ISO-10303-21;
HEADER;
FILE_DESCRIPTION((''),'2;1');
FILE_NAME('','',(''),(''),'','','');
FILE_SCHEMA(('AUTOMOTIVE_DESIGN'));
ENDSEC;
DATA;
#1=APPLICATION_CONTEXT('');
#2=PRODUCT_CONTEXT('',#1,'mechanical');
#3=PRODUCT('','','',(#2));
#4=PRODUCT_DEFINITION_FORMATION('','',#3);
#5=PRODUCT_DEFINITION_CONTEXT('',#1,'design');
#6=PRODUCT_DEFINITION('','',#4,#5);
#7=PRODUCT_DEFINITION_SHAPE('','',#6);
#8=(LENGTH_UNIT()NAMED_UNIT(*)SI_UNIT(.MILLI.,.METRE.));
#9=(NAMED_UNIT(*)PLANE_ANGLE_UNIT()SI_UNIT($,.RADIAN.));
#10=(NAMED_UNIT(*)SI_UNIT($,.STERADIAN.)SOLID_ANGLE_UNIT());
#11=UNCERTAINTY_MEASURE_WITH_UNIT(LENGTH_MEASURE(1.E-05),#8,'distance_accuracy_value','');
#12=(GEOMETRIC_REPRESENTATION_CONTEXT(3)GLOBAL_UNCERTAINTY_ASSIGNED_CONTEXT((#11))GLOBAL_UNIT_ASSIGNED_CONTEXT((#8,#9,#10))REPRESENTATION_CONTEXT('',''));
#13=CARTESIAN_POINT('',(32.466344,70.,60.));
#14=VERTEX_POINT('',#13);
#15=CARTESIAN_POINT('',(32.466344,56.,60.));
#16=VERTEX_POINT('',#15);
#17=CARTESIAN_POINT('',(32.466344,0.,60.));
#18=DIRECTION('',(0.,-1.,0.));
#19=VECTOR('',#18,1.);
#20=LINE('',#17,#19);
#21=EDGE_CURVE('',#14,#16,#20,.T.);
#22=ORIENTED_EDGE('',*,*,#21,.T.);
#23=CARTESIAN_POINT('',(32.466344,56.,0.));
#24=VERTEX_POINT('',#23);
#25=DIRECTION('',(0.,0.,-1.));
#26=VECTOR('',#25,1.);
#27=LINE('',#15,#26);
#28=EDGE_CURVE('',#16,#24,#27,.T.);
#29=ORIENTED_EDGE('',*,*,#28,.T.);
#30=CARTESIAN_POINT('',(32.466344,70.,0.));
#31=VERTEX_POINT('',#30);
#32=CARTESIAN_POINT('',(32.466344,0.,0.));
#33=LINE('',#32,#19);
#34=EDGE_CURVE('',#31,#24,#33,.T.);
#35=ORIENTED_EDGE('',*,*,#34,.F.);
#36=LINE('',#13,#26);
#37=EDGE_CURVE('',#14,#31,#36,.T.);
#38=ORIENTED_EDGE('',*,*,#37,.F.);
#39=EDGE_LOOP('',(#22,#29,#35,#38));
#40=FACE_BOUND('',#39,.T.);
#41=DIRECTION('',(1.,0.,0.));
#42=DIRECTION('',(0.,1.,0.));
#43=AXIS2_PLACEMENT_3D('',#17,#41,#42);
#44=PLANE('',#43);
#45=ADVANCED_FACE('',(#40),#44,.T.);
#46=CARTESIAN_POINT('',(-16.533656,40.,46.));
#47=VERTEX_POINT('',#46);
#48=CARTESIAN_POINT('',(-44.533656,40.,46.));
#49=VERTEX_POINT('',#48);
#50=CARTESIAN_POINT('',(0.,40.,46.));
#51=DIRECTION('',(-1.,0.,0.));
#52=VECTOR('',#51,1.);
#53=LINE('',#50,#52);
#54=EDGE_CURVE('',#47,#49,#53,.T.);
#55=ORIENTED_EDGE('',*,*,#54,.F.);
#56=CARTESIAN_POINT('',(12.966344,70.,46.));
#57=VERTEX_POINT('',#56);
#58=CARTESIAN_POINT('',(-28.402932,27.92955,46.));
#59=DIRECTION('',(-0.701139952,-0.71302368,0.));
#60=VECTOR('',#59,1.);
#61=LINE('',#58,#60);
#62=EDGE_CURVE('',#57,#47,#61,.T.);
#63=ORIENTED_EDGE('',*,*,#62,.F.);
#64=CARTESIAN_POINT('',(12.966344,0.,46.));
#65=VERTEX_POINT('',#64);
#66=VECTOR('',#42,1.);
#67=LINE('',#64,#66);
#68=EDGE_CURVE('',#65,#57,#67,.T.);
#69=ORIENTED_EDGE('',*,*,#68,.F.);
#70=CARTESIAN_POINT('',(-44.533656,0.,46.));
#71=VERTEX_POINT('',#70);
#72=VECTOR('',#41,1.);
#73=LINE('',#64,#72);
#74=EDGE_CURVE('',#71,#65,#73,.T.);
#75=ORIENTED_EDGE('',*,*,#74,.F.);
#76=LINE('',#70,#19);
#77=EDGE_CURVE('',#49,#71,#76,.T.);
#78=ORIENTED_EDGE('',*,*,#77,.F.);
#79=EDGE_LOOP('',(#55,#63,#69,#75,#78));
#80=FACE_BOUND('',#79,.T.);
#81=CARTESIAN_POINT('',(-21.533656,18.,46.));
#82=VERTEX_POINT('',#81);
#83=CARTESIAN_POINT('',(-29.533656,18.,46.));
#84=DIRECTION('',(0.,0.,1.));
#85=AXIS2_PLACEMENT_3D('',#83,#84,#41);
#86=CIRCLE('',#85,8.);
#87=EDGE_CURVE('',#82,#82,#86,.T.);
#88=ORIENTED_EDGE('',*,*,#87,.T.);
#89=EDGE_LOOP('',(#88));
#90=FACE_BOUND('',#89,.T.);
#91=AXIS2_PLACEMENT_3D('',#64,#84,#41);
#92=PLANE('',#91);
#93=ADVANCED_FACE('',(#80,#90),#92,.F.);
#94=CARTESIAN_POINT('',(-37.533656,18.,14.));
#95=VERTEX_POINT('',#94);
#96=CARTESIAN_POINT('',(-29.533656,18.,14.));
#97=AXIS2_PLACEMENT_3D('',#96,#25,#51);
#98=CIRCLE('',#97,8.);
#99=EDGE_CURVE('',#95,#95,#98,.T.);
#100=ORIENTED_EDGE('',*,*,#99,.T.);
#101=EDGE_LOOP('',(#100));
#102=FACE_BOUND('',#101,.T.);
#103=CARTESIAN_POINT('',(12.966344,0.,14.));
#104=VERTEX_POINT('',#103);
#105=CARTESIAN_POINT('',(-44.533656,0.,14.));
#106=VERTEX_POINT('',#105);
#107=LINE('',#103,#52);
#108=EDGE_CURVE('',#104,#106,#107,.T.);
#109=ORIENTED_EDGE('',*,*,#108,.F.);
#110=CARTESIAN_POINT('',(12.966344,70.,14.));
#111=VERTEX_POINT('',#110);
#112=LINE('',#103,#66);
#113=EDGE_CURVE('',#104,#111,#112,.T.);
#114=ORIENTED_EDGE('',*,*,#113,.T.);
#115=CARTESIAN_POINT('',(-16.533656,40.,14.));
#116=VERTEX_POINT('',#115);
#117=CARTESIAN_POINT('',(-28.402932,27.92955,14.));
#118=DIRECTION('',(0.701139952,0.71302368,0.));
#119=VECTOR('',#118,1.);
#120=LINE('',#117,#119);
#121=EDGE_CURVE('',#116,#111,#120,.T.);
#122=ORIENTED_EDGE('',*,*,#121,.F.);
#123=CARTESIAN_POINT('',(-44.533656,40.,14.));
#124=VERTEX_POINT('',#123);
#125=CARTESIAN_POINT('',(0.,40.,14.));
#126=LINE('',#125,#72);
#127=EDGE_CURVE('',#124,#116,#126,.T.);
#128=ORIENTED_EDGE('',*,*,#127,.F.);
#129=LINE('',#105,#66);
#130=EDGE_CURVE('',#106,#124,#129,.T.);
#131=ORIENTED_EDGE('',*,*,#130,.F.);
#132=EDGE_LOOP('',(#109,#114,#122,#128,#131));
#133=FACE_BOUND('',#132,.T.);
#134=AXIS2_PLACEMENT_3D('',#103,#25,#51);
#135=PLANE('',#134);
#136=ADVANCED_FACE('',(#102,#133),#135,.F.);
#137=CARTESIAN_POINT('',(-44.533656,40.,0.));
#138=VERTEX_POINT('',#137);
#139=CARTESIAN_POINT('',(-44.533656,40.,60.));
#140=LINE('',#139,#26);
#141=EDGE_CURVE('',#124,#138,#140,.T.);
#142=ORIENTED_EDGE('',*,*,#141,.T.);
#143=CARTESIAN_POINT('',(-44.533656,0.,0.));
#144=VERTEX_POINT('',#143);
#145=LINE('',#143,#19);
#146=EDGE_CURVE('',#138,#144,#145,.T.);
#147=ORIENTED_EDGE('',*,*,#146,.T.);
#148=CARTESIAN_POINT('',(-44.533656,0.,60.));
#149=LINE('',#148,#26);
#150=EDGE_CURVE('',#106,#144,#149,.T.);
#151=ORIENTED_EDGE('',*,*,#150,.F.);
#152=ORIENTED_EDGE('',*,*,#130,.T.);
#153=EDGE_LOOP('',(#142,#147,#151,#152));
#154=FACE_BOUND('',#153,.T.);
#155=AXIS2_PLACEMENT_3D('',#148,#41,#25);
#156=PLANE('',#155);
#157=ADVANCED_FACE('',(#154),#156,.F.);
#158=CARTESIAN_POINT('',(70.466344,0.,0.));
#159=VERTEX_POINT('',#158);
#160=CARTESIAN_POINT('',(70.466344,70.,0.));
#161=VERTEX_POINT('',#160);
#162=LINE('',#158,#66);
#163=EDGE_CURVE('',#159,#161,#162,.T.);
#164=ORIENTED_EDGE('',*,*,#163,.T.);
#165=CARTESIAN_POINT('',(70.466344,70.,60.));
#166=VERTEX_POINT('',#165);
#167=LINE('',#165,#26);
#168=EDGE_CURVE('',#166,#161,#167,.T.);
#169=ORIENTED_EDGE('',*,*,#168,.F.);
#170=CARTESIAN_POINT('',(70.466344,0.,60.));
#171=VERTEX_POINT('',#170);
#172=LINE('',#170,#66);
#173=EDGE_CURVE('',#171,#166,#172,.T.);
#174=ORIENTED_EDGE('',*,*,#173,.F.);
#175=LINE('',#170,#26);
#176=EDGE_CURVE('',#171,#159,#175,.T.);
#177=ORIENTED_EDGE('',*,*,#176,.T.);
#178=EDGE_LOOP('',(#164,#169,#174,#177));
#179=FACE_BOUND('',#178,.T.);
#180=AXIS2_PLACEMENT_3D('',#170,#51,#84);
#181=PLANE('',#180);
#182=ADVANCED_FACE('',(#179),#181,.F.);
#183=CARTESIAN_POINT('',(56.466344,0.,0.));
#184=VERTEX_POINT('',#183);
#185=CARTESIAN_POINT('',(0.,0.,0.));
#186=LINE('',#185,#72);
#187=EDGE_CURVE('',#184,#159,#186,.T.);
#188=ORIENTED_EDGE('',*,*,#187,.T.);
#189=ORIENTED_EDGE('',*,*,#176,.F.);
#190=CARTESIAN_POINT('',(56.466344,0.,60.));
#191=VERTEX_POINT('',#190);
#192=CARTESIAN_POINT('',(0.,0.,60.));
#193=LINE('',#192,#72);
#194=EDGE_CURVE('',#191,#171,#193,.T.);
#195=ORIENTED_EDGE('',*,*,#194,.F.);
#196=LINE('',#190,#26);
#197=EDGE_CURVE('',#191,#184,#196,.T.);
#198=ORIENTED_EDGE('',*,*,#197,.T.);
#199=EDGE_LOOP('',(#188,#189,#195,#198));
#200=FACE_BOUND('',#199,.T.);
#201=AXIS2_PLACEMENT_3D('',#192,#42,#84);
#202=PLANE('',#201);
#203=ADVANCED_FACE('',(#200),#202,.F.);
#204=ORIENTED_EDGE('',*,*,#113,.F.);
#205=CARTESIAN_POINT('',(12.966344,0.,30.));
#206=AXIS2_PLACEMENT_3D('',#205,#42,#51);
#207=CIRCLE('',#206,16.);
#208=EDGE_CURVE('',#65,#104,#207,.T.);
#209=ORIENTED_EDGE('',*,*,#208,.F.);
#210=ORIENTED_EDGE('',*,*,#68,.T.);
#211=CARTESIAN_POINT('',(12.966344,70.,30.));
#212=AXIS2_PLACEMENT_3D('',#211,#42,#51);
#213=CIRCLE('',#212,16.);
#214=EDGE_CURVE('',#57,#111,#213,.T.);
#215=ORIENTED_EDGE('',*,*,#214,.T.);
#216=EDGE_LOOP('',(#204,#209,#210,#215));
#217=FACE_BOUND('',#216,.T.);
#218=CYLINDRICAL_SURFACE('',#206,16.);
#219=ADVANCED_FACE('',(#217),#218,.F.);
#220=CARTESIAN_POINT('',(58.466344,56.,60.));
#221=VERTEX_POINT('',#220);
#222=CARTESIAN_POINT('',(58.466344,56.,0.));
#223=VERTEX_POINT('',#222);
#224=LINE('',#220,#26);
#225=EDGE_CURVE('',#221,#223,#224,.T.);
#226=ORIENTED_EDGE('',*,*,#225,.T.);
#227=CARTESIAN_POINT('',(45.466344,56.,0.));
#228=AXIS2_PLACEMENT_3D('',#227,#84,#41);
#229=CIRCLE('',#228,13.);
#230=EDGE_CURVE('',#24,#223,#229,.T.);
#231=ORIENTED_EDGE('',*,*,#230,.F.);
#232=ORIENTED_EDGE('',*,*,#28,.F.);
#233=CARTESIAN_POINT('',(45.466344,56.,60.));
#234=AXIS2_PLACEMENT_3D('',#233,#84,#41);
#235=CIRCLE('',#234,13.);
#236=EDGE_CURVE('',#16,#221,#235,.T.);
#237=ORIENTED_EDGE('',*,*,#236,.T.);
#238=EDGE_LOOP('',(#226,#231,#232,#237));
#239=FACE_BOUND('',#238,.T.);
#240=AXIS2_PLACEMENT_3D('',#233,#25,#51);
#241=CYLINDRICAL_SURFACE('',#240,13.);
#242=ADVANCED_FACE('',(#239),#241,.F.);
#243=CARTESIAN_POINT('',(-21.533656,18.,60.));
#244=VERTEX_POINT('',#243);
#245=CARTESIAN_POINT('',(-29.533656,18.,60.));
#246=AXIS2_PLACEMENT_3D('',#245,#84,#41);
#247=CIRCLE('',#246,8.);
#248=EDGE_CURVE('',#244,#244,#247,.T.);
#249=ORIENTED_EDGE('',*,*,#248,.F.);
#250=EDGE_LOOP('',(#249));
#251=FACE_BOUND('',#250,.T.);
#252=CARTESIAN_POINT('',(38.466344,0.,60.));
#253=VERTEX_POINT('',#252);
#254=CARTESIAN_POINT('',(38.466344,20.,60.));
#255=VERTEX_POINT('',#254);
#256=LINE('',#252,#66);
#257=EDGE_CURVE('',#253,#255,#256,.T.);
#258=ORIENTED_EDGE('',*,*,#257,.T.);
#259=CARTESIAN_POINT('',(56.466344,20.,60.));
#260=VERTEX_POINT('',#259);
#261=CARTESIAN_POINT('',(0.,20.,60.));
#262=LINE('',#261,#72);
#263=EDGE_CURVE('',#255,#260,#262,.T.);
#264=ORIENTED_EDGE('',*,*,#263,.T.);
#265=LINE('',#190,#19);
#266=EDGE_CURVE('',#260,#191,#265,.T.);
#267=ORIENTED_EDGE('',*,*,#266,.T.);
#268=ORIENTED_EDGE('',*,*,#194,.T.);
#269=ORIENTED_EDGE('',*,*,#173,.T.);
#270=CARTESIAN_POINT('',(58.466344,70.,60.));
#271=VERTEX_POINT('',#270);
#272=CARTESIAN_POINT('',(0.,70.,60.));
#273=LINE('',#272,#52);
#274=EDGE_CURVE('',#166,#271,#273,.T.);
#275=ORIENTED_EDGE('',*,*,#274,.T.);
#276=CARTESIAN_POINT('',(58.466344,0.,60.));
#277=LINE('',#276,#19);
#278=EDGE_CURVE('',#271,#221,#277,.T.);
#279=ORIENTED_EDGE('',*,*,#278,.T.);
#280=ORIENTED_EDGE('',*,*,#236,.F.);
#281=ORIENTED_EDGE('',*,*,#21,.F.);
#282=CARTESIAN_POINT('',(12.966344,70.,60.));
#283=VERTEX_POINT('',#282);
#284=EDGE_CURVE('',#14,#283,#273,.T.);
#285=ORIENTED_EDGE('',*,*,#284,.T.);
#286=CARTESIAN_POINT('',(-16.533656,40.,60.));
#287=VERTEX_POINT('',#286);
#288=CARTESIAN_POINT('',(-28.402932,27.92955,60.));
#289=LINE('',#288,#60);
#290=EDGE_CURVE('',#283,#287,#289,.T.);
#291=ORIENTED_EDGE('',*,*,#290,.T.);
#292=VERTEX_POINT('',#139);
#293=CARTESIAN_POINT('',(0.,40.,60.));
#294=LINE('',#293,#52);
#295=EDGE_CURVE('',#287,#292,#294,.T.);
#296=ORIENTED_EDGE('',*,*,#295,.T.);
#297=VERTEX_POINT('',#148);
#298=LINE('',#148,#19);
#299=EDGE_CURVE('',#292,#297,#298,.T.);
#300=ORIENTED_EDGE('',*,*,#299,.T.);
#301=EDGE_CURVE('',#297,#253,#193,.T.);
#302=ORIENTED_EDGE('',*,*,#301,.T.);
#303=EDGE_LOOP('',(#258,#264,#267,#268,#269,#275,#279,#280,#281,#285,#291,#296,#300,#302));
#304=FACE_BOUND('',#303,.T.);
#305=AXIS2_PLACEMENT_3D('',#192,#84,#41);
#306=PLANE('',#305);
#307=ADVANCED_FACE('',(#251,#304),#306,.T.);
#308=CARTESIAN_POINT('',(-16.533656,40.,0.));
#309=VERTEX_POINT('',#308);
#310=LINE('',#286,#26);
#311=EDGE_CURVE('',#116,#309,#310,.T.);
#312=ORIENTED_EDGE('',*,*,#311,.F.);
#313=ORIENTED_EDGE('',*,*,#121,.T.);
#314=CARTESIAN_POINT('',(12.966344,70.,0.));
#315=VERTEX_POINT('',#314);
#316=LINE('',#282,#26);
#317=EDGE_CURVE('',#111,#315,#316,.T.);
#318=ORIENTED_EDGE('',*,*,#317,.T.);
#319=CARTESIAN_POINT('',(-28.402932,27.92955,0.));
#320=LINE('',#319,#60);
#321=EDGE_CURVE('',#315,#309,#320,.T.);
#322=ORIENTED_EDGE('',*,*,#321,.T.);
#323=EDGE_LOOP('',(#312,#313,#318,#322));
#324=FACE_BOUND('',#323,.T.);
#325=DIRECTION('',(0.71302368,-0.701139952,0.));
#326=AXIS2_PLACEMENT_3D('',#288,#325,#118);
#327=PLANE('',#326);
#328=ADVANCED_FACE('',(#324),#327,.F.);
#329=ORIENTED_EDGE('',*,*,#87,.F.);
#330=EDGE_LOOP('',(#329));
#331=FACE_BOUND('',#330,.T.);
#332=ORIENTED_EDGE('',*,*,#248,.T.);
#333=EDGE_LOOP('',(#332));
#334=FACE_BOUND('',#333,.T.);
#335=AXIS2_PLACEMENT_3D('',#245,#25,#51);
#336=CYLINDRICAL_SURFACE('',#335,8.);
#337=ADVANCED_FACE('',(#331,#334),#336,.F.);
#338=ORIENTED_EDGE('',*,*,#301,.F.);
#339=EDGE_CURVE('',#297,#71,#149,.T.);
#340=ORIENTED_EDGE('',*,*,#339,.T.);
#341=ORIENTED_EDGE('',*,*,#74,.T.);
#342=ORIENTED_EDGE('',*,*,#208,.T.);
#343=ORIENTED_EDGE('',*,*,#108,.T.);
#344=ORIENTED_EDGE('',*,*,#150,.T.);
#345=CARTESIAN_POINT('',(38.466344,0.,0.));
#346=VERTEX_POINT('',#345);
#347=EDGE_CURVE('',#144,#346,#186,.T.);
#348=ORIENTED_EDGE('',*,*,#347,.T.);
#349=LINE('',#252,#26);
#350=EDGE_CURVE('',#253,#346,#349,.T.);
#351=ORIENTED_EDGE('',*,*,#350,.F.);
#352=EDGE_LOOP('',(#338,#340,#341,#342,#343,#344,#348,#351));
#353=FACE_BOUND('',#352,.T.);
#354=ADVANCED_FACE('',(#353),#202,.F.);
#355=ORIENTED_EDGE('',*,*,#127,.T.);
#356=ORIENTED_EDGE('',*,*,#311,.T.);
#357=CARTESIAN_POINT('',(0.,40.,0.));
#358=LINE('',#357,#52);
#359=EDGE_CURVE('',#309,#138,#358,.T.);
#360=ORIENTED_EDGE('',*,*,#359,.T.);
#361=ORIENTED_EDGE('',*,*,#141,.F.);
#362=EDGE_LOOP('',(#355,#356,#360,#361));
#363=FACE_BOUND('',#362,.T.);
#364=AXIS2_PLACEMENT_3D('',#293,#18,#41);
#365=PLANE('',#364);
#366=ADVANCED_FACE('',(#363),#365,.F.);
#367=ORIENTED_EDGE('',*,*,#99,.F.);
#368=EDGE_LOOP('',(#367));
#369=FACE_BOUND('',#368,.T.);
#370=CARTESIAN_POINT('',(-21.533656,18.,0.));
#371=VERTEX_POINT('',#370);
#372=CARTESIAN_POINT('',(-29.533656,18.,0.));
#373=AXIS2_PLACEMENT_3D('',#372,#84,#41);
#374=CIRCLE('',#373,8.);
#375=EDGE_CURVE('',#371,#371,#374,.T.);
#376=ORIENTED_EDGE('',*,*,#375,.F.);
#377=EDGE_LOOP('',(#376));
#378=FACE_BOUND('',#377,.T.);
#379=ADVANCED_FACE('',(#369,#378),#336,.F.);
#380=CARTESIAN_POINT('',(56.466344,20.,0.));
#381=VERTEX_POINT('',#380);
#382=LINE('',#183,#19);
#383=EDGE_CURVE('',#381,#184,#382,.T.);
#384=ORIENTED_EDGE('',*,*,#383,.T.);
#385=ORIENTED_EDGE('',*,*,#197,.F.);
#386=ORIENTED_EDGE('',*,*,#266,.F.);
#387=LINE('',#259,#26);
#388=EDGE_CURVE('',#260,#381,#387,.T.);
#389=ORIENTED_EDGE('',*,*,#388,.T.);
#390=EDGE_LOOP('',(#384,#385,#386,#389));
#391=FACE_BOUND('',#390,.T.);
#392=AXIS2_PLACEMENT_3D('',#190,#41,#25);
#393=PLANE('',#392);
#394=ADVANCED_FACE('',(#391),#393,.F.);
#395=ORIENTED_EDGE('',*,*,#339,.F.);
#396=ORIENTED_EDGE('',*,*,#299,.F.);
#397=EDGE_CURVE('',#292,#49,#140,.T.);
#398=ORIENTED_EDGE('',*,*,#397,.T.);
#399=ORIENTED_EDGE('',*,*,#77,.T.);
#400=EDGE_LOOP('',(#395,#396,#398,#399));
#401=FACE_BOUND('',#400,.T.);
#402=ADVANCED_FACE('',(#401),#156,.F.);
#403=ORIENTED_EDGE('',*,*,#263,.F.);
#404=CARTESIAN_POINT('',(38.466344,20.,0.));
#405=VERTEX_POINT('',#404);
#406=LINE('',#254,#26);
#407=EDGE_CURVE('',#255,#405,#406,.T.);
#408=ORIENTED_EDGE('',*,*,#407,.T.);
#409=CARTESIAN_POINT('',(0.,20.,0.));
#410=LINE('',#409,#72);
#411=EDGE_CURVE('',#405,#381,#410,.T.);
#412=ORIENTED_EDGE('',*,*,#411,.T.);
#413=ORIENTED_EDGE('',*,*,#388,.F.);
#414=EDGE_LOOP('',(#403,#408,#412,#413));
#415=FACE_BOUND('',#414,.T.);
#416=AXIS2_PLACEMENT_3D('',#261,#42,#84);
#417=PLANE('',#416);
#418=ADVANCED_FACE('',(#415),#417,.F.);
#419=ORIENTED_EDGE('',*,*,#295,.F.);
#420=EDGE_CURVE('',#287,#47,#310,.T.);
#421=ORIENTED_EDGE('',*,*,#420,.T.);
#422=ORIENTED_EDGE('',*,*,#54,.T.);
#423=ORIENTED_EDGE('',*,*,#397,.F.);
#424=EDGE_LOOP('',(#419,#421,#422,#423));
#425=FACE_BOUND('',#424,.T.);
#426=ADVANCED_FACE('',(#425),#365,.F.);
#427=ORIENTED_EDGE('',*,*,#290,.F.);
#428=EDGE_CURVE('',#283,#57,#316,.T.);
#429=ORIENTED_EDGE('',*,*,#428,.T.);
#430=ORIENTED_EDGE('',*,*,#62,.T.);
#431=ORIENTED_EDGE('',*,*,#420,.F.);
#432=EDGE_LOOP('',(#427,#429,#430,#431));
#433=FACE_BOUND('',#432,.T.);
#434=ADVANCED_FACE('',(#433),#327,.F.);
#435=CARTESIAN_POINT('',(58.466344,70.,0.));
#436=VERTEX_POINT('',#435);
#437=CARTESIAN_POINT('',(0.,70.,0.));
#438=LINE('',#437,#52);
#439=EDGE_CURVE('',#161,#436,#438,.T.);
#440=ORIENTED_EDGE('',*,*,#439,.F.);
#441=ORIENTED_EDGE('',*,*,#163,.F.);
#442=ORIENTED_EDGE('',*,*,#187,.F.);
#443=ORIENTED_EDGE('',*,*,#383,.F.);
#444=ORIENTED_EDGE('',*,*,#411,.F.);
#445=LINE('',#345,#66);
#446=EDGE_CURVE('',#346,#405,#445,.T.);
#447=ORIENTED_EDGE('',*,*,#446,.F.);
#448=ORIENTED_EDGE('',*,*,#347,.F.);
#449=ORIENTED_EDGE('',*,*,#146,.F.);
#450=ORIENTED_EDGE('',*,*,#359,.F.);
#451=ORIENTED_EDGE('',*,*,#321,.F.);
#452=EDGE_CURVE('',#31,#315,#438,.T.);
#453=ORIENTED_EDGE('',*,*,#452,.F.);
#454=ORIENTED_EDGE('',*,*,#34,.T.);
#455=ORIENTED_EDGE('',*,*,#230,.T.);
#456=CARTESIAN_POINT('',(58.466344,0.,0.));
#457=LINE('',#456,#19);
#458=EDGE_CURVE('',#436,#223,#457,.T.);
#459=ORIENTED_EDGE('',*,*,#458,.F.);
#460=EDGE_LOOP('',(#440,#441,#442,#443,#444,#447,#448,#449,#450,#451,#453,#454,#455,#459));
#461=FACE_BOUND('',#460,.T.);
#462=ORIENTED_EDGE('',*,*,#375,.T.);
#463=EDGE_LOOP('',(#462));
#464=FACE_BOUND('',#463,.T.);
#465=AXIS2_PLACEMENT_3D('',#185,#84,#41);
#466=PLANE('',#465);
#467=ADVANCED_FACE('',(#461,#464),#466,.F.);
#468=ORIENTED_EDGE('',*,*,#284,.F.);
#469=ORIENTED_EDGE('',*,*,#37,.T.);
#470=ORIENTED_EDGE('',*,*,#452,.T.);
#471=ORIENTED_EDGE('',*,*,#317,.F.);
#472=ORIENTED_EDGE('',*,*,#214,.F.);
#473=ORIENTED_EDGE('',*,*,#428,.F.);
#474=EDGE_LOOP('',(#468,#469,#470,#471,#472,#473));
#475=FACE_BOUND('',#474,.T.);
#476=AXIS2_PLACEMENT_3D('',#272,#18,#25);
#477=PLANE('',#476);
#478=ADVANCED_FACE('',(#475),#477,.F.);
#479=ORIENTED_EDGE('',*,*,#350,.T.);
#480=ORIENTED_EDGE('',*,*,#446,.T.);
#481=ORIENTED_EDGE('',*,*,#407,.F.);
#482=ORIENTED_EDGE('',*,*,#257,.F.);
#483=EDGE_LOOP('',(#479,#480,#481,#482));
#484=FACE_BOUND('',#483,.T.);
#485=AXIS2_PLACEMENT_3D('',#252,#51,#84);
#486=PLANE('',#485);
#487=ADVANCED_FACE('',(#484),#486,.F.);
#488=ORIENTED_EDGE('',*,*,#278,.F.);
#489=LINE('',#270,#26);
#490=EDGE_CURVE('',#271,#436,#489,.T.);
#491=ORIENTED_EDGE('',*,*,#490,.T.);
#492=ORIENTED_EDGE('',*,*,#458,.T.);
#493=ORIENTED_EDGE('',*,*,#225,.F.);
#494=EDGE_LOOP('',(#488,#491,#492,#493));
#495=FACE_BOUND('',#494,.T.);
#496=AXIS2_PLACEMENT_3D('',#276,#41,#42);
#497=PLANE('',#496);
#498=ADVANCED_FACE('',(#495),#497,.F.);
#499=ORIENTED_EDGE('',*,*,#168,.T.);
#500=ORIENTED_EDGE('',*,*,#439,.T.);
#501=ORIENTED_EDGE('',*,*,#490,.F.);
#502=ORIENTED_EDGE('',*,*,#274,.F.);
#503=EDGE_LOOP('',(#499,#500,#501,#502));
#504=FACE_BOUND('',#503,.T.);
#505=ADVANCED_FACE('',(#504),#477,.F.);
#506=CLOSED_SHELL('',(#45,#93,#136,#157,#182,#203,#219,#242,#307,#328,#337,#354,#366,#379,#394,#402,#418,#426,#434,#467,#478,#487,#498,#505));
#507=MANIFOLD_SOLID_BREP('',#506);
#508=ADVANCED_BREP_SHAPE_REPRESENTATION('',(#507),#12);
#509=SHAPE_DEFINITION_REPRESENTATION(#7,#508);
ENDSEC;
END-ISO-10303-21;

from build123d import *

# Parameters (mm, degrees)
SKETCH1_R           = 8
BOSS_EXTRUDE1_DEPTH = 60
CUT_EXTRUDE1_DEPTH  = 117.040965384


with BuildPart() as part:
    # Sketch1 → Boss-Extrude1 (new body)
    # profile 1 of 2: a face of its own
    with BuildSketch(Plane.XY):
        with BuildLine():
            Line((12.966344075, 70), (12.966344075, 0))
            Line((12.966344075, 0), (38.466344075, 0))
            Line((38.466344075, 0), (38.466344075, 20))
            Line((38.466344075, 20), (56.466344075, 20))
            Line((56.466344075, 20), (56.466344075, 0))
            Line((56.466344075, 0), (70.466344075, 0))
            Line((70.466344075, 0), (70.466344075, 70))
            Line((70.466344075, 70), (58.466344075, 70))
            Line((58.466344075, 70), (58.466344075, 56))
            ThreePointArc((58.466344075, 56), (45.466344075, 43), (32.466344075, 56))
            Line((32.466344075, 56), (32.466344075, 70))
            Line((32.466344075, 70), (12.966344075, 70))
        make_face()
    # profile 2 of 2: a face of its own
    with BuildSketch(Plane.XY):
        Polygon((-44.533655925, 0), (0, 0), (12.966344075, 0), (12.966344075, 70), (-16.533655925, 40), (-44.533655925, 40), align=None)
        with Locations((-29.533655925, 18)):
            Circle(SKETCH1_R, mode=Mode.SUBTRACT)
    extrude(amount=BOSS_EXTRUDE1_DEPTH)

    # Sketch2 → Cut-Extrude1 (cut, through all)
    with BuildSketch(Plane(origin=(0, 70, 0), x_dir=(1, 0, 0), z_dir=(0, 1, 0))):
        with BuildLine():
            Line((12.966344075, -14), (-56.308501396, -14))
            Line((-56.308501396, -14), (-56.308501396, -46))
            Line((-56.308501396, -46), (12.966344075, -46))
            ThreePointArc((12.966344075, -46), (28.966344075, -30), (12.966344075, -14))
        make_face()
    extrude(amount=-CUT_EXTRUDE1_DEPTH, mode=Mode.SUBTRACT)


solid = part.part
